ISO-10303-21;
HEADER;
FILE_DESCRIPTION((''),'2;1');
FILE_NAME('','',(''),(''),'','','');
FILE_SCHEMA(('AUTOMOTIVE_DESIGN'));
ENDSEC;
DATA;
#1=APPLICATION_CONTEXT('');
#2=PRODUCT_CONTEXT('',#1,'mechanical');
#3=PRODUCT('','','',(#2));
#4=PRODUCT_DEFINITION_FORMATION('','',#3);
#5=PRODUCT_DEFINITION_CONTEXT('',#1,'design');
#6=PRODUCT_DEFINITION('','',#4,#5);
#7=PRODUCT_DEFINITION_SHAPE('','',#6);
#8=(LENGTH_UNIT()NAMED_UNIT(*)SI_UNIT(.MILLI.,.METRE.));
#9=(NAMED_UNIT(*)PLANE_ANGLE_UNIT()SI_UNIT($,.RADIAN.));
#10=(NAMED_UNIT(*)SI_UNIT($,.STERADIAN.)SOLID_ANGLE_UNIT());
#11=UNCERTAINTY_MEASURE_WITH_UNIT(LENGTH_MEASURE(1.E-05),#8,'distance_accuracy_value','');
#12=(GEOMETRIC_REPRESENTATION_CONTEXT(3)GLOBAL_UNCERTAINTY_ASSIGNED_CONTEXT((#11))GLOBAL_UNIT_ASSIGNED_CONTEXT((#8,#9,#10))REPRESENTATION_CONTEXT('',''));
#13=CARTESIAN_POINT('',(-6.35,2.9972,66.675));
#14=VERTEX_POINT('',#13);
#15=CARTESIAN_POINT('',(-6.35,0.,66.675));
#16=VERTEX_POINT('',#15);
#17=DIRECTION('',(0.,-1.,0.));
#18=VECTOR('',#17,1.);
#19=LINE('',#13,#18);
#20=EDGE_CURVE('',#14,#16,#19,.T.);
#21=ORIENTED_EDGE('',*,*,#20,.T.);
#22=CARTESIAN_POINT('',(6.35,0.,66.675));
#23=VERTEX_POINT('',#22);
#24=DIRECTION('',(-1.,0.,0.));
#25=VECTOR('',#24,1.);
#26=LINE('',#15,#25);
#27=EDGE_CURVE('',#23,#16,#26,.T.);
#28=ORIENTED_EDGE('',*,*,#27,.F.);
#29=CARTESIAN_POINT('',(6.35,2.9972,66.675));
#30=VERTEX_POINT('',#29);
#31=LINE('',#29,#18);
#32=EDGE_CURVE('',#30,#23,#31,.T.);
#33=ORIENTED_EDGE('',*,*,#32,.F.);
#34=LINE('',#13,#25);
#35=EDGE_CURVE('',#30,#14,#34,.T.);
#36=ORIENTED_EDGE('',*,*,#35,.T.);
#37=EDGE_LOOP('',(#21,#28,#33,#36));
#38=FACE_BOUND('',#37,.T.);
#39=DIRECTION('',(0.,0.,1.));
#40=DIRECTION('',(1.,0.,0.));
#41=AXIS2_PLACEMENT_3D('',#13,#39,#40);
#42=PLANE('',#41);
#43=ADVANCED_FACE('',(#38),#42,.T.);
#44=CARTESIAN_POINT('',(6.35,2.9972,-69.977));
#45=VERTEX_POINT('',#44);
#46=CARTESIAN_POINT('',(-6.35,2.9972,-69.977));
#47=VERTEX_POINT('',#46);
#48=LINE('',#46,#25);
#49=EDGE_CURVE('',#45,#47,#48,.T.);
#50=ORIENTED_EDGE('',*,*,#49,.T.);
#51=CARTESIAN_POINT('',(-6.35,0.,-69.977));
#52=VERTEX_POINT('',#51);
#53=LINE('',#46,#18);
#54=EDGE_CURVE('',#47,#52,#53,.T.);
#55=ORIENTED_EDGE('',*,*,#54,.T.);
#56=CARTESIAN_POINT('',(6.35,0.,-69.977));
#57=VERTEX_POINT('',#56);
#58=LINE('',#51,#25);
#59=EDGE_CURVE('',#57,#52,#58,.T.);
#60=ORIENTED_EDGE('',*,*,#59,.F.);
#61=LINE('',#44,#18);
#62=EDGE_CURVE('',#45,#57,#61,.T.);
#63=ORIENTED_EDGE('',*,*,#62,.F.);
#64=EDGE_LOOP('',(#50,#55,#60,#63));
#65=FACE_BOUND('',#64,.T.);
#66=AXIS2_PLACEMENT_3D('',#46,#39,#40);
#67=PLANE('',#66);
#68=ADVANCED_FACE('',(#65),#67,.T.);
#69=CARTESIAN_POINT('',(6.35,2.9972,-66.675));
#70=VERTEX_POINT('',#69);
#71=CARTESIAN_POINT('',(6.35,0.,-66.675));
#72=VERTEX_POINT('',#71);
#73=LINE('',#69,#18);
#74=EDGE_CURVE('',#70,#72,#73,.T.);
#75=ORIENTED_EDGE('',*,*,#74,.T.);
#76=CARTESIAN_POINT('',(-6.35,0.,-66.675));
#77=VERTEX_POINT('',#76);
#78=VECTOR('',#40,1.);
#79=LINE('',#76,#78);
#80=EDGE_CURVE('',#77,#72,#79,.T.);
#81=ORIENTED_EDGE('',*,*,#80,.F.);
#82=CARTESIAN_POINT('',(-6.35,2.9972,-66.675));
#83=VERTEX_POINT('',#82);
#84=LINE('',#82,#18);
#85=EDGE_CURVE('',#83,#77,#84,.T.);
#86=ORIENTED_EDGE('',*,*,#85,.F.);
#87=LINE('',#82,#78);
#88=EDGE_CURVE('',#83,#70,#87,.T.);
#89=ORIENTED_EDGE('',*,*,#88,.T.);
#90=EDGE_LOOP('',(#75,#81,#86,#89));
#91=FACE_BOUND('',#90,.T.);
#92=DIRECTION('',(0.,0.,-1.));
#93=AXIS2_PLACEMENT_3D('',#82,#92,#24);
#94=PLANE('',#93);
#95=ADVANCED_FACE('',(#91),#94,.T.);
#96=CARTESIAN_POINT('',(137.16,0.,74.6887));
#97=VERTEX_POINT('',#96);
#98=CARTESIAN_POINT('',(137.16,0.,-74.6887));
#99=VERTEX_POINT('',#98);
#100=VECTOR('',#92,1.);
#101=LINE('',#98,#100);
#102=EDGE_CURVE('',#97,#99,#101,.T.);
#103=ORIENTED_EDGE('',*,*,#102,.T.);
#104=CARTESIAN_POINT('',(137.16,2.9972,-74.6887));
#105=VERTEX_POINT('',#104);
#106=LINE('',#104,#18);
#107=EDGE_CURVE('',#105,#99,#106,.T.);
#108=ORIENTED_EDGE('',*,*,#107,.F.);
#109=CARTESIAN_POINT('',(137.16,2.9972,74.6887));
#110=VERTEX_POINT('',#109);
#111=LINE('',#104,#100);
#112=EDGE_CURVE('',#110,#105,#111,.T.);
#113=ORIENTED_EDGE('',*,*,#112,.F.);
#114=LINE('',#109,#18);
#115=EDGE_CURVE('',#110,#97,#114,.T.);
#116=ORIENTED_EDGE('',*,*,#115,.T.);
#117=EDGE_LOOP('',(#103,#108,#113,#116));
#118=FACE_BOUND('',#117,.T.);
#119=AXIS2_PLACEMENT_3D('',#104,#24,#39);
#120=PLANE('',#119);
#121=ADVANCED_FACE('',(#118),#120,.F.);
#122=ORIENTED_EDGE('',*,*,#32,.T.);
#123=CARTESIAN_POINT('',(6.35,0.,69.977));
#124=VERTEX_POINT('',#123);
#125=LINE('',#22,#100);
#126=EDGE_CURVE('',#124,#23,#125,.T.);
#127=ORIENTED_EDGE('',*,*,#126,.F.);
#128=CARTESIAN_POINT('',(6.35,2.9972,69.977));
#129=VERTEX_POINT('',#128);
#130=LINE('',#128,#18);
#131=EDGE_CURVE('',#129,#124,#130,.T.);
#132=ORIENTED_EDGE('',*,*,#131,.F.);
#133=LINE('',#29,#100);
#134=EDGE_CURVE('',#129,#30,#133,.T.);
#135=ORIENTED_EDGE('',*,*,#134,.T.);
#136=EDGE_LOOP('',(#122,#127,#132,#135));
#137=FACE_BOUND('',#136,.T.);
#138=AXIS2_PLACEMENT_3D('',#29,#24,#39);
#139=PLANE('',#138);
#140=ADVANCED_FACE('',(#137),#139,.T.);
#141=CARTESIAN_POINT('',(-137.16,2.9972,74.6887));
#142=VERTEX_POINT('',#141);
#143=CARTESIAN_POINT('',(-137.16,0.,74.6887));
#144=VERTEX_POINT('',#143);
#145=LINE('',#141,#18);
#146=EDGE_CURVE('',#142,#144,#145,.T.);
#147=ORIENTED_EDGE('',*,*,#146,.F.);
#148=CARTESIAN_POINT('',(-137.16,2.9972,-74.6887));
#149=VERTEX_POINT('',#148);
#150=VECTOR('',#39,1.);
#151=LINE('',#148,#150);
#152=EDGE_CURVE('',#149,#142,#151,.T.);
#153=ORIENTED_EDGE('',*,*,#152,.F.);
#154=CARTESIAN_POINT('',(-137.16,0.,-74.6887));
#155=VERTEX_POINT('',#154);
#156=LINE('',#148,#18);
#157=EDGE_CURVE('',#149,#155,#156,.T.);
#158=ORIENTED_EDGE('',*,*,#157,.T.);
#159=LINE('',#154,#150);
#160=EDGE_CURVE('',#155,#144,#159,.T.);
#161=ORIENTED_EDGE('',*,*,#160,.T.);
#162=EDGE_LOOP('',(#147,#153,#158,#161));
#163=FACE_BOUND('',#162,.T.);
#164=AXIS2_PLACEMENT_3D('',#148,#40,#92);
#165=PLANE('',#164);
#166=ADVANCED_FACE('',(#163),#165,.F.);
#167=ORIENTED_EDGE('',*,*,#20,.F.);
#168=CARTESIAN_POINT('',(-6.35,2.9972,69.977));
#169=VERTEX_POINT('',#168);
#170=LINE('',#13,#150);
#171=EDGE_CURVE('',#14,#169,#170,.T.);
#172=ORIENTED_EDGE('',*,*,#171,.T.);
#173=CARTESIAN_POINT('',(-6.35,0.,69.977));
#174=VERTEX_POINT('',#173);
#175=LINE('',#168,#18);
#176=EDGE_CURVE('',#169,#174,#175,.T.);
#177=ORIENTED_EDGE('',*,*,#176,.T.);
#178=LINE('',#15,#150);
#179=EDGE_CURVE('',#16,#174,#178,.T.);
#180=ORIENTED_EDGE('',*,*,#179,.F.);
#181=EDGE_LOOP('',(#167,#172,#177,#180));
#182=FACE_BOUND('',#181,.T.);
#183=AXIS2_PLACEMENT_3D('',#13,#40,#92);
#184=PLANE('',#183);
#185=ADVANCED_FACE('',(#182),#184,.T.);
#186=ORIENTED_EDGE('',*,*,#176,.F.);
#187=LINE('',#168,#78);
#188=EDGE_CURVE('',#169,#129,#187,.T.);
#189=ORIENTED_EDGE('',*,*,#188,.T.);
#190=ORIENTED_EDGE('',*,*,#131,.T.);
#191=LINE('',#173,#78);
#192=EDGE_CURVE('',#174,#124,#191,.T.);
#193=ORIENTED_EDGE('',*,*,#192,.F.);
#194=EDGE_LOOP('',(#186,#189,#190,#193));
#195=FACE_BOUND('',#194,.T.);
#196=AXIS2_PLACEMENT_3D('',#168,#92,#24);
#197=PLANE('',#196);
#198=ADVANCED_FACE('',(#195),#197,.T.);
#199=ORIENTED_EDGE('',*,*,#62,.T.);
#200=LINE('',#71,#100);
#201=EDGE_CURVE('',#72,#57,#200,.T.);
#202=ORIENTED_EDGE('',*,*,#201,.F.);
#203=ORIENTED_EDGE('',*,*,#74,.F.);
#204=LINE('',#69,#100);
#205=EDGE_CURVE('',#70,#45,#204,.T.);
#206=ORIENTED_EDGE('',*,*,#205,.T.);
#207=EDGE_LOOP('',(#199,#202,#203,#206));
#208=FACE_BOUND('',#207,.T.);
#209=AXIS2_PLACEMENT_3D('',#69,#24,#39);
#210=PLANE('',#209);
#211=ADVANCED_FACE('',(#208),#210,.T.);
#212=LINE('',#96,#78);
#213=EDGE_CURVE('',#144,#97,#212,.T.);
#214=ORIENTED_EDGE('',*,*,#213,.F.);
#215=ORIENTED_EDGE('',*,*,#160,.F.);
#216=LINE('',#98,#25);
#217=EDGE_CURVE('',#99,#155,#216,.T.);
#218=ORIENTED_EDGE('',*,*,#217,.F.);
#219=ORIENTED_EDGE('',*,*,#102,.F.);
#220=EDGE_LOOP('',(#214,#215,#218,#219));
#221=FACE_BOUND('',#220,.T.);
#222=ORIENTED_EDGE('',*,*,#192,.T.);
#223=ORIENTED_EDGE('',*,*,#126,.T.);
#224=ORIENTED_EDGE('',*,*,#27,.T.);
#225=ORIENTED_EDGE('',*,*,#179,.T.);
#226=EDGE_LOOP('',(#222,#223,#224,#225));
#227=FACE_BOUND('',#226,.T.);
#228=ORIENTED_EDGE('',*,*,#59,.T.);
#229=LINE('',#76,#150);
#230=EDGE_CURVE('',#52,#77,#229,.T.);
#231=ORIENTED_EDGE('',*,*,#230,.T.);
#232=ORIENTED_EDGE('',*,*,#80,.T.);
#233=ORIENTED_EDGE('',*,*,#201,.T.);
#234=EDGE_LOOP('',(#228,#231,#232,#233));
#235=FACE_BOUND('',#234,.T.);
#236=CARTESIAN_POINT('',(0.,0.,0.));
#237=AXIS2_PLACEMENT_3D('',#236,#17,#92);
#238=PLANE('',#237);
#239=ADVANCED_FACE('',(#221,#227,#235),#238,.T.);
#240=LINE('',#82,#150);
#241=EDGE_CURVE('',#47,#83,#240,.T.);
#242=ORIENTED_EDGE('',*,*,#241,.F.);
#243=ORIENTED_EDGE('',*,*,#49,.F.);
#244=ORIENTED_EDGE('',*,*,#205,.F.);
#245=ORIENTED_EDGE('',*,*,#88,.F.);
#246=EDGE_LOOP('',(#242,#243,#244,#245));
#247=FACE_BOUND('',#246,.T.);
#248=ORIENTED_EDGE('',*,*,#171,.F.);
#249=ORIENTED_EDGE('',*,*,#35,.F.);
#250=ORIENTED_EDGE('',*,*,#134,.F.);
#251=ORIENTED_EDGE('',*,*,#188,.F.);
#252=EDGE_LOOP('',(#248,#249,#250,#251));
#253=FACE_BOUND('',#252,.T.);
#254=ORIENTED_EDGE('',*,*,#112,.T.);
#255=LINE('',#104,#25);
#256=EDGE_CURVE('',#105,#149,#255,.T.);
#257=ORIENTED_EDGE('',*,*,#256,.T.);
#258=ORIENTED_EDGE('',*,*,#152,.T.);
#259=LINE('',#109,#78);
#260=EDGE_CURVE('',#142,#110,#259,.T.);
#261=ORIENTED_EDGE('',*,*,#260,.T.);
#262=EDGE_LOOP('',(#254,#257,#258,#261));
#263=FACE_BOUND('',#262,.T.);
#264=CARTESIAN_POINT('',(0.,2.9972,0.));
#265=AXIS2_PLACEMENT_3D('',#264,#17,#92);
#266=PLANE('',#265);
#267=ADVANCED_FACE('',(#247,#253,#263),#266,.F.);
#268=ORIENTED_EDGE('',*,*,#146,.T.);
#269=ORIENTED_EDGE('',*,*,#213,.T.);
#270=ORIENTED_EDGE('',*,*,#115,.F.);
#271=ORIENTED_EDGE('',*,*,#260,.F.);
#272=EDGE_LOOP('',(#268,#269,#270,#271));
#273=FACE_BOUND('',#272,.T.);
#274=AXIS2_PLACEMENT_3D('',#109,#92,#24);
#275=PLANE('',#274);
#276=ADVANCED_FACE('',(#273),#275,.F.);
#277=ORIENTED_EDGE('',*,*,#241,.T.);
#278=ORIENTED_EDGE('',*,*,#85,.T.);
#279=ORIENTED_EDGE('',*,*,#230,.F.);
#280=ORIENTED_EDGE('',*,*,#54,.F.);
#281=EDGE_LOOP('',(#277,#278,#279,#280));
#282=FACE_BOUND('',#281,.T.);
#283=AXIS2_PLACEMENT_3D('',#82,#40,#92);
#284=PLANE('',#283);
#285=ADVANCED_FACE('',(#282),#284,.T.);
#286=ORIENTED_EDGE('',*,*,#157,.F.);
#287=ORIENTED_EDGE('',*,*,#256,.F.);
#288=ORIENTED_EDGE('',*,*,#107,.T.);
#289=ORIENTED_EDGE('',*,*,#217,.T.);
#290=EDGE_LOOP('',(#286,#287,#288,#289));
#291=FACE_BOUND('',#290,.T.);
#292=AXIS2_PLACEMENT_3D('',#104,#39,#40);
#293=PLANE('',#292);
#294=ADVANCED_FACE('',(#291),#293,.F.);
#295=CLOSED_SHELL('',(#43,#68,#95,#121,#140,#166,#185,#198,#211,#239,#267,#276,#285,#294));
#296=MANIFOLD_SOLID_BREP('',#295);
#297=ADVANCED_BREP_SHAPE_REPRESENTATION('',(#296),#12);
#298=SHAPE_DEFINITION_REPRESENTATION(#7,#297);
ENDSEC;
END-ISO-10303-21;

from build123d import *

# Parameters (mm, degrees)
SKETCH1_W           = 274.32
SKETCH1_H           = 149.3774
SKETCH1_W_2         = 12.7
SKETCH1_H_2         = 3.302
BOSS_EXTRUDE1_DEPTH = 2.9972


with BuildPart() as part:
    # Sketch1 → Boss-Extrude1 (new body)
    with BuildSketch(Plane(origin=(0, 0, 0), x_dir=(1, 0, 0), z_dir=(0, 1, 0))):
        Rectangle(SKETCH1_W, SKETCH1_H)
        with Locations((0, 68.326)):
            Rectangle(SKETCH1_W_2, SKETCH1_H_2, mode=Mode.SUBTRACT)
        with Locations((0, -68.326)):
            Rectangle(SKETCH1_W_2, SKETCH1_H_2, mode=Mode.SUBTRACT)
    extrude(amount=BOSS_EXTRUDE1_DEPTH)


solid = part.part
